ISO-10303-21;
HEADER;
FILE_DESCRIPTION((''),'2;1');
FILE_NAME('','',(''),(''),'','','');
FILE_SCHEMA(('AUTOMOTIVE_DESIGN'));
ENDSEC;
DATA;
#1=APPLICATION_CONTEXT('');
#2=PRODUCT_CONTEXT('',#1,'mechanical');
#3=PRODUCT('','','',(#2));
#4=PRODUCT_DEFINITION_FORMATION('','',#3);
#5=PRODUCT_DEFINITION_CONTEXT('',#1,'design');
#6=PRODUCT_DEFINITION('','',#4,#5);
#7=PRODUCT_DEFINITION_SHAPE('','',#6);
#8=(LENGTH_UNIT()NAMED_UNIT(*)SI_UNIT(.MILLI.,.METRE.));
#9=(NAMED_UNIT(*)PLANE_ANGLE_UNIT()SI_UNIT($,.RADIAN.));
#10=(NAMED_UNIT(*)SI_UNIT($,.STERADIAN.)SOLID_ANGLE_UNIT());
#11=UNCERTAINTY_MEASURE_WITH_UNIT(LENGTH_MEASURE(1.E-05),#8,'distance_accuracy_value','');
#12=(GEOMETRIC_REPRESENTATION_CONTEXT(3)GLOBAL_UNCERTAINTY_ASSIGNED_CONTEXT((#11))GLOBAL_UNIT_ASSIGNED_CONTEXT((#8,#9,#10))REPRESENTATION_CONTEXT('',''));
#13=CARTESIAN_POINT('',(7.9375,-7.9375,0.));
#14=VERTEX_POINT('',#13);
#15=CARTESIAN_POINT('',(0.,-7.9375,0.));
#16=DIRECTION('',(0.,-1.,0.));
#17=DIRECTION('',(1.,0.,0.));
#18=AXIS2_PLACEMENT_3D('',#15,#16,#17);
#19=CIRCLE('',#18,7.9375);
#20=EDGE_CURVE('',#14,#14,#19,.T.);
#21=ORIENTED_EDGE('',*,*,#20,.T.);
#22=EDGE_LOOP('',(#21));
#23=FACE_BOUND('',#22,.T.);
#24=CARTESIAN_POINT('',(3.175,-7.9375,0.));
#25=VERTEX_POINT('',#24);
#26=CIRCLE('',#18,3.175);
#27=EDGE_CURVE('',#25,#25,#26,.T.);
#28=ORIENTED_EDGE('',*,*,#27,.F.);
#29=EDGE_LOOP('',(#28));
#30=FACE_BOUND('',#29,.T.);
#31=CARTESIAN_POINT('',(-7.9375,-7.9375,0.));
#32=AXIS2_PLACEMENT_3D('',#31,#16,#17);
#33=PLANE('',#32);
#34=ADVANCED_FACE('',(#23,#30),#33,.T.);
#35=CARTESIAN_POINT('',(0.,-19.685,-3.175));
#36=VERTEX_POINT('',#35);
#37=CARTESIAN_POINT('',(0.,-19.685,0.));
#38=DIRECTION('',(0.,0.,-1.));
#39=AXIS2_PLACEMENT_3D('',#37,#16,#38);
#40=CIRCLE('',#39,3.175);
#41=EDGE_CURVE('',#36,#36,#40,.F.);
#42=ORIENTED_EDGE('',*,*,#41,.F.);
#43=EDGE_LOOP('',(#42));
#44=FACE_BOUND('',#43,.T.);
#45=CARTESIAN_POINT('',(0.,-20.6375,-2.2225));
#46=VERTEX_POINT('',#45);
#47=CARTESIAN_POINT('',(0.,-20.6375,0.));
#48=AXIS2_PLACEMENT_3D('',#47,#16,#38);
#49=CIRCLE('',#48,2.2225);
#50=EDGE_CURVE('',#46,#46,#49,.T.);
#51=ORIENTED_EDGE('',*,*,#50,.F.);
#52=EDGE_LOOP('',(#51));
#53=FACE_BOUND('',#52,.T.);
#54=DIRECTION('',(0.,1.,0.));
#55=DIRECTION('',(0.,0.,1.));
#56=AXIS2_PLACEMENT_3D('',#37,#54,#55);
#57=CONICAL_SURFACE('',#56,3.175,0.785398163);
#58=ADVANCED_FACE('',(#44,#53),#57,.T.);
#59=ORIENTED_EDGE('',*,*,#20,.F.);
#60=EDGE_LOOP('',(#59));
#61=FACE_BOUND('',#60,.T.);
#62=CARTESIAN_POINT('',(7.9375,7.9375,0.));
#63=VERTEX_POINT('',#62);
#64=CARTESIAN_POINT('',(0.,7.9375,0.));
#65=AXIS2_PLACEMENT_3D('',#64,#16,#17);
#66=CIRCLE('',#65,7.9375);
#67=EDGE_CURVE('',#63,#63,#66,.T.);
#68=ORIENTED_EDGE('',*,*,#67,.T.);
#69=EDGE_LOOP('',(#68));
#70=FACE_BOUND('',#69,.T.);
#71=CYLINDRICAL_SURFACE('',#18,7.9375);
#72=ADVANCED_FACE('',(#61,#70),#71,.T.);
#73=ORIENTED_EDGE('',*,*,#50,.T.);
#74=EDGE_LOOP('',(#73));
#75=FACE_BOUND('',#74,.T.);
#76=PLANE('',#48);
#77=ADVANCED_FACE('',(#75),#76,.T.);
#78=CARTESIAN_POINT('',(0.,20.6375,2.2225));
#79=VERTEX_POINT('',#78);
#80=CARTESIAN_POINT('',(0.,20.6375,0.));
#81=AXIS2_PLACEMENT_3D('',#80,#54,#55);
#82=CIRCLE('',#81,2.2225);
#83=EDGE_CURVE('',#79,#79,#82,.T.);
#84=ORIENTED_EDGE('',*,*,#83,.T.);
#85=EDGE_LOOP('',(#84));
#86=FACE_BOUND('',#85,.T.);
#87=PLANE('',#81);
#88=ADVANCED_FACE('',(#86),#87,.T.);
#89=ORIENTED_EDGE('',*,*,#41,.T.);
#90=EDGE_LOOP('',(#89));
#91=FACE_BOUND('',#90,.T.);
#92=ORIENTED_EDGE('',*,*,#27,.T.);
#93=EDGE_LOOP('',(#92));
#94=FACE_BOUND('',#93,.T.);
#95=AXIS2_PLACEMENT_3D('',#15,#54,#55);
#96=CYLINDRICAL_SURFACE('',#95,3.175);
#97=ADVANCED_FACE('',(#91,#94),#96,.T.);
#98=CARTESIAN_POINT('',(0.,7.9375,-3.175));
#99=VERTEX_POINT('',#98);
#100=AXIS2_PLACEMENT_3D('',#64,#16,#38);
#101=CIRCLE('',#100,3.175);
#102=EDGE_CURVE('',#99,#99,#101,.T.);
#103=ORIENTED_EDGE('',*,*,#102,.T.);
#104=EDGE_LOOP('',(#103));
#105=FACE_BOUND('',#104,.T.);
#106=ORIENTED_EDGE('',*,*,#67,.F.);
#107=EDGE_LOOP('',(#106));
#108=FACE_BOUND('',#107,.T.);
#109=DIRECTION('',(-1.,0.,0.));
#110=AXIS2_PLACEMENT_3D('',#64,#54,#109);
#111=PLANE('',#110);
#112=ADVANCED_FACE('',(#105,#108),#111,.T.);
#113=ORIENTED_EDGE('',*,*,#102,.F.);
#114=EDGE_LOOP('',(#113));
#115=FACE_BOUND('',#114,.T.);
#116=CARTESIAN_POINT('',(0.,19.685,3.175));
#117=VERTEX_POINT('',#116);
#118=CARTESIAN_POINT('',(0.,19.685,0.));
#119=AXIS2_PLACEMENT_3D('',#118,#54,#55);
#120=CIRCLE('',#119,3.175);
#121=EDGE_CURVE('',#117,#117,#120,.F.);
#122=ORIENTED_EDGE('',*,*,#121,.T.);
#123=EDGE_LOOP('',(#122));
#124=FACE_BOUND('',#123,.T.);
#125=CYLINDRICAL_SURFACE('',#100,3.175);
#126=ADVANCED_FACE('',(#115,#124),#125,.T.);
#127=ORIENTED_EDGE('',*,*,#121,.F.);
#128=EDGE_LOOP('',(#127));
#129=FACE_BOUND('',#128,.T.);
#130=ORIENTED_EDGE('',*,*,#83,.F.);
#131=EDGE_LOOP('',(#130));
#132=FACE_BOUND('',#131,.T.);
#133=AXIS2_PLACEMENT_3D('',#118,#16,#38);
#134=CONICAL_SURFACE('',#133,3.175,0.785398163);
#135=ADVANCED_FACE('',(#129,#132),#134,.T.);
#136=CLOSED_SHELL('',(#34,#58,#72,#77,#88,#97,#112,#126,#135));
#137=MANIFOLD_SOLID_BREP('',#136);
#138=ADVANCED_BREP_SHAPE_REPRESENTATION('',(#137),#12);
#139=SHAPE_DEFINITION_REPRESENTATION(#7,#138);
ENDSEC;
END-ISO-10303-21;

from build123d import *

# Parameters (mm, degrees)
SKETCH1_W             = 3.175
SKETCH1_H             = 12.7
CHAMFER1_SIZE         = 0.9525
BODY_MOVE_COPY1_ANGLE = 180
SKETCH4_W             = 7.9375
SKETCH4_H             = 15.875


with BuildPart() as part:
    # Sketch1 → Revolve1 (revolve)
    with BuildSketch(Plane.XY):
        with Locations((1.5875, 14.2875)):
            Rectangle(SKETCH1_W, SKETCH1_H)
    revolve(axis=Axis((0, 7.9375, 0), (0, 1, 0)))

    # Chamfer1
    chamfer1_edges = [part.edges().sort_by_distance(p)[0] for p in [
        (-3.175, 20.6375, 0),
    ]]
    chamfer(chamfer1_edges, length=CHAMFER1_SIZE)


with BuildPart() as body_2:
    # Body-Move/Copy1: copy of part
    add(part.part.rotate(Axis((0, 0, 0), (1, 0, 0)), BODY_MOVE_COPY1_ANGLE))


with BuildPart() as part_1:
    add(part.part)

    add(body_2.part)  # Revolve2 merges body 2
    # Sketch4 → Revolve2 (revolve)
    with BuildSketch(Plane.XY):
        with Locations((3.96875, 0)):
            Rectangle(SKETCH4_W, SKETCH4_H)
    revolve(axis=Axis((0, -7.9375, 0), (0, 1, 0)))


solid = part_1.part
